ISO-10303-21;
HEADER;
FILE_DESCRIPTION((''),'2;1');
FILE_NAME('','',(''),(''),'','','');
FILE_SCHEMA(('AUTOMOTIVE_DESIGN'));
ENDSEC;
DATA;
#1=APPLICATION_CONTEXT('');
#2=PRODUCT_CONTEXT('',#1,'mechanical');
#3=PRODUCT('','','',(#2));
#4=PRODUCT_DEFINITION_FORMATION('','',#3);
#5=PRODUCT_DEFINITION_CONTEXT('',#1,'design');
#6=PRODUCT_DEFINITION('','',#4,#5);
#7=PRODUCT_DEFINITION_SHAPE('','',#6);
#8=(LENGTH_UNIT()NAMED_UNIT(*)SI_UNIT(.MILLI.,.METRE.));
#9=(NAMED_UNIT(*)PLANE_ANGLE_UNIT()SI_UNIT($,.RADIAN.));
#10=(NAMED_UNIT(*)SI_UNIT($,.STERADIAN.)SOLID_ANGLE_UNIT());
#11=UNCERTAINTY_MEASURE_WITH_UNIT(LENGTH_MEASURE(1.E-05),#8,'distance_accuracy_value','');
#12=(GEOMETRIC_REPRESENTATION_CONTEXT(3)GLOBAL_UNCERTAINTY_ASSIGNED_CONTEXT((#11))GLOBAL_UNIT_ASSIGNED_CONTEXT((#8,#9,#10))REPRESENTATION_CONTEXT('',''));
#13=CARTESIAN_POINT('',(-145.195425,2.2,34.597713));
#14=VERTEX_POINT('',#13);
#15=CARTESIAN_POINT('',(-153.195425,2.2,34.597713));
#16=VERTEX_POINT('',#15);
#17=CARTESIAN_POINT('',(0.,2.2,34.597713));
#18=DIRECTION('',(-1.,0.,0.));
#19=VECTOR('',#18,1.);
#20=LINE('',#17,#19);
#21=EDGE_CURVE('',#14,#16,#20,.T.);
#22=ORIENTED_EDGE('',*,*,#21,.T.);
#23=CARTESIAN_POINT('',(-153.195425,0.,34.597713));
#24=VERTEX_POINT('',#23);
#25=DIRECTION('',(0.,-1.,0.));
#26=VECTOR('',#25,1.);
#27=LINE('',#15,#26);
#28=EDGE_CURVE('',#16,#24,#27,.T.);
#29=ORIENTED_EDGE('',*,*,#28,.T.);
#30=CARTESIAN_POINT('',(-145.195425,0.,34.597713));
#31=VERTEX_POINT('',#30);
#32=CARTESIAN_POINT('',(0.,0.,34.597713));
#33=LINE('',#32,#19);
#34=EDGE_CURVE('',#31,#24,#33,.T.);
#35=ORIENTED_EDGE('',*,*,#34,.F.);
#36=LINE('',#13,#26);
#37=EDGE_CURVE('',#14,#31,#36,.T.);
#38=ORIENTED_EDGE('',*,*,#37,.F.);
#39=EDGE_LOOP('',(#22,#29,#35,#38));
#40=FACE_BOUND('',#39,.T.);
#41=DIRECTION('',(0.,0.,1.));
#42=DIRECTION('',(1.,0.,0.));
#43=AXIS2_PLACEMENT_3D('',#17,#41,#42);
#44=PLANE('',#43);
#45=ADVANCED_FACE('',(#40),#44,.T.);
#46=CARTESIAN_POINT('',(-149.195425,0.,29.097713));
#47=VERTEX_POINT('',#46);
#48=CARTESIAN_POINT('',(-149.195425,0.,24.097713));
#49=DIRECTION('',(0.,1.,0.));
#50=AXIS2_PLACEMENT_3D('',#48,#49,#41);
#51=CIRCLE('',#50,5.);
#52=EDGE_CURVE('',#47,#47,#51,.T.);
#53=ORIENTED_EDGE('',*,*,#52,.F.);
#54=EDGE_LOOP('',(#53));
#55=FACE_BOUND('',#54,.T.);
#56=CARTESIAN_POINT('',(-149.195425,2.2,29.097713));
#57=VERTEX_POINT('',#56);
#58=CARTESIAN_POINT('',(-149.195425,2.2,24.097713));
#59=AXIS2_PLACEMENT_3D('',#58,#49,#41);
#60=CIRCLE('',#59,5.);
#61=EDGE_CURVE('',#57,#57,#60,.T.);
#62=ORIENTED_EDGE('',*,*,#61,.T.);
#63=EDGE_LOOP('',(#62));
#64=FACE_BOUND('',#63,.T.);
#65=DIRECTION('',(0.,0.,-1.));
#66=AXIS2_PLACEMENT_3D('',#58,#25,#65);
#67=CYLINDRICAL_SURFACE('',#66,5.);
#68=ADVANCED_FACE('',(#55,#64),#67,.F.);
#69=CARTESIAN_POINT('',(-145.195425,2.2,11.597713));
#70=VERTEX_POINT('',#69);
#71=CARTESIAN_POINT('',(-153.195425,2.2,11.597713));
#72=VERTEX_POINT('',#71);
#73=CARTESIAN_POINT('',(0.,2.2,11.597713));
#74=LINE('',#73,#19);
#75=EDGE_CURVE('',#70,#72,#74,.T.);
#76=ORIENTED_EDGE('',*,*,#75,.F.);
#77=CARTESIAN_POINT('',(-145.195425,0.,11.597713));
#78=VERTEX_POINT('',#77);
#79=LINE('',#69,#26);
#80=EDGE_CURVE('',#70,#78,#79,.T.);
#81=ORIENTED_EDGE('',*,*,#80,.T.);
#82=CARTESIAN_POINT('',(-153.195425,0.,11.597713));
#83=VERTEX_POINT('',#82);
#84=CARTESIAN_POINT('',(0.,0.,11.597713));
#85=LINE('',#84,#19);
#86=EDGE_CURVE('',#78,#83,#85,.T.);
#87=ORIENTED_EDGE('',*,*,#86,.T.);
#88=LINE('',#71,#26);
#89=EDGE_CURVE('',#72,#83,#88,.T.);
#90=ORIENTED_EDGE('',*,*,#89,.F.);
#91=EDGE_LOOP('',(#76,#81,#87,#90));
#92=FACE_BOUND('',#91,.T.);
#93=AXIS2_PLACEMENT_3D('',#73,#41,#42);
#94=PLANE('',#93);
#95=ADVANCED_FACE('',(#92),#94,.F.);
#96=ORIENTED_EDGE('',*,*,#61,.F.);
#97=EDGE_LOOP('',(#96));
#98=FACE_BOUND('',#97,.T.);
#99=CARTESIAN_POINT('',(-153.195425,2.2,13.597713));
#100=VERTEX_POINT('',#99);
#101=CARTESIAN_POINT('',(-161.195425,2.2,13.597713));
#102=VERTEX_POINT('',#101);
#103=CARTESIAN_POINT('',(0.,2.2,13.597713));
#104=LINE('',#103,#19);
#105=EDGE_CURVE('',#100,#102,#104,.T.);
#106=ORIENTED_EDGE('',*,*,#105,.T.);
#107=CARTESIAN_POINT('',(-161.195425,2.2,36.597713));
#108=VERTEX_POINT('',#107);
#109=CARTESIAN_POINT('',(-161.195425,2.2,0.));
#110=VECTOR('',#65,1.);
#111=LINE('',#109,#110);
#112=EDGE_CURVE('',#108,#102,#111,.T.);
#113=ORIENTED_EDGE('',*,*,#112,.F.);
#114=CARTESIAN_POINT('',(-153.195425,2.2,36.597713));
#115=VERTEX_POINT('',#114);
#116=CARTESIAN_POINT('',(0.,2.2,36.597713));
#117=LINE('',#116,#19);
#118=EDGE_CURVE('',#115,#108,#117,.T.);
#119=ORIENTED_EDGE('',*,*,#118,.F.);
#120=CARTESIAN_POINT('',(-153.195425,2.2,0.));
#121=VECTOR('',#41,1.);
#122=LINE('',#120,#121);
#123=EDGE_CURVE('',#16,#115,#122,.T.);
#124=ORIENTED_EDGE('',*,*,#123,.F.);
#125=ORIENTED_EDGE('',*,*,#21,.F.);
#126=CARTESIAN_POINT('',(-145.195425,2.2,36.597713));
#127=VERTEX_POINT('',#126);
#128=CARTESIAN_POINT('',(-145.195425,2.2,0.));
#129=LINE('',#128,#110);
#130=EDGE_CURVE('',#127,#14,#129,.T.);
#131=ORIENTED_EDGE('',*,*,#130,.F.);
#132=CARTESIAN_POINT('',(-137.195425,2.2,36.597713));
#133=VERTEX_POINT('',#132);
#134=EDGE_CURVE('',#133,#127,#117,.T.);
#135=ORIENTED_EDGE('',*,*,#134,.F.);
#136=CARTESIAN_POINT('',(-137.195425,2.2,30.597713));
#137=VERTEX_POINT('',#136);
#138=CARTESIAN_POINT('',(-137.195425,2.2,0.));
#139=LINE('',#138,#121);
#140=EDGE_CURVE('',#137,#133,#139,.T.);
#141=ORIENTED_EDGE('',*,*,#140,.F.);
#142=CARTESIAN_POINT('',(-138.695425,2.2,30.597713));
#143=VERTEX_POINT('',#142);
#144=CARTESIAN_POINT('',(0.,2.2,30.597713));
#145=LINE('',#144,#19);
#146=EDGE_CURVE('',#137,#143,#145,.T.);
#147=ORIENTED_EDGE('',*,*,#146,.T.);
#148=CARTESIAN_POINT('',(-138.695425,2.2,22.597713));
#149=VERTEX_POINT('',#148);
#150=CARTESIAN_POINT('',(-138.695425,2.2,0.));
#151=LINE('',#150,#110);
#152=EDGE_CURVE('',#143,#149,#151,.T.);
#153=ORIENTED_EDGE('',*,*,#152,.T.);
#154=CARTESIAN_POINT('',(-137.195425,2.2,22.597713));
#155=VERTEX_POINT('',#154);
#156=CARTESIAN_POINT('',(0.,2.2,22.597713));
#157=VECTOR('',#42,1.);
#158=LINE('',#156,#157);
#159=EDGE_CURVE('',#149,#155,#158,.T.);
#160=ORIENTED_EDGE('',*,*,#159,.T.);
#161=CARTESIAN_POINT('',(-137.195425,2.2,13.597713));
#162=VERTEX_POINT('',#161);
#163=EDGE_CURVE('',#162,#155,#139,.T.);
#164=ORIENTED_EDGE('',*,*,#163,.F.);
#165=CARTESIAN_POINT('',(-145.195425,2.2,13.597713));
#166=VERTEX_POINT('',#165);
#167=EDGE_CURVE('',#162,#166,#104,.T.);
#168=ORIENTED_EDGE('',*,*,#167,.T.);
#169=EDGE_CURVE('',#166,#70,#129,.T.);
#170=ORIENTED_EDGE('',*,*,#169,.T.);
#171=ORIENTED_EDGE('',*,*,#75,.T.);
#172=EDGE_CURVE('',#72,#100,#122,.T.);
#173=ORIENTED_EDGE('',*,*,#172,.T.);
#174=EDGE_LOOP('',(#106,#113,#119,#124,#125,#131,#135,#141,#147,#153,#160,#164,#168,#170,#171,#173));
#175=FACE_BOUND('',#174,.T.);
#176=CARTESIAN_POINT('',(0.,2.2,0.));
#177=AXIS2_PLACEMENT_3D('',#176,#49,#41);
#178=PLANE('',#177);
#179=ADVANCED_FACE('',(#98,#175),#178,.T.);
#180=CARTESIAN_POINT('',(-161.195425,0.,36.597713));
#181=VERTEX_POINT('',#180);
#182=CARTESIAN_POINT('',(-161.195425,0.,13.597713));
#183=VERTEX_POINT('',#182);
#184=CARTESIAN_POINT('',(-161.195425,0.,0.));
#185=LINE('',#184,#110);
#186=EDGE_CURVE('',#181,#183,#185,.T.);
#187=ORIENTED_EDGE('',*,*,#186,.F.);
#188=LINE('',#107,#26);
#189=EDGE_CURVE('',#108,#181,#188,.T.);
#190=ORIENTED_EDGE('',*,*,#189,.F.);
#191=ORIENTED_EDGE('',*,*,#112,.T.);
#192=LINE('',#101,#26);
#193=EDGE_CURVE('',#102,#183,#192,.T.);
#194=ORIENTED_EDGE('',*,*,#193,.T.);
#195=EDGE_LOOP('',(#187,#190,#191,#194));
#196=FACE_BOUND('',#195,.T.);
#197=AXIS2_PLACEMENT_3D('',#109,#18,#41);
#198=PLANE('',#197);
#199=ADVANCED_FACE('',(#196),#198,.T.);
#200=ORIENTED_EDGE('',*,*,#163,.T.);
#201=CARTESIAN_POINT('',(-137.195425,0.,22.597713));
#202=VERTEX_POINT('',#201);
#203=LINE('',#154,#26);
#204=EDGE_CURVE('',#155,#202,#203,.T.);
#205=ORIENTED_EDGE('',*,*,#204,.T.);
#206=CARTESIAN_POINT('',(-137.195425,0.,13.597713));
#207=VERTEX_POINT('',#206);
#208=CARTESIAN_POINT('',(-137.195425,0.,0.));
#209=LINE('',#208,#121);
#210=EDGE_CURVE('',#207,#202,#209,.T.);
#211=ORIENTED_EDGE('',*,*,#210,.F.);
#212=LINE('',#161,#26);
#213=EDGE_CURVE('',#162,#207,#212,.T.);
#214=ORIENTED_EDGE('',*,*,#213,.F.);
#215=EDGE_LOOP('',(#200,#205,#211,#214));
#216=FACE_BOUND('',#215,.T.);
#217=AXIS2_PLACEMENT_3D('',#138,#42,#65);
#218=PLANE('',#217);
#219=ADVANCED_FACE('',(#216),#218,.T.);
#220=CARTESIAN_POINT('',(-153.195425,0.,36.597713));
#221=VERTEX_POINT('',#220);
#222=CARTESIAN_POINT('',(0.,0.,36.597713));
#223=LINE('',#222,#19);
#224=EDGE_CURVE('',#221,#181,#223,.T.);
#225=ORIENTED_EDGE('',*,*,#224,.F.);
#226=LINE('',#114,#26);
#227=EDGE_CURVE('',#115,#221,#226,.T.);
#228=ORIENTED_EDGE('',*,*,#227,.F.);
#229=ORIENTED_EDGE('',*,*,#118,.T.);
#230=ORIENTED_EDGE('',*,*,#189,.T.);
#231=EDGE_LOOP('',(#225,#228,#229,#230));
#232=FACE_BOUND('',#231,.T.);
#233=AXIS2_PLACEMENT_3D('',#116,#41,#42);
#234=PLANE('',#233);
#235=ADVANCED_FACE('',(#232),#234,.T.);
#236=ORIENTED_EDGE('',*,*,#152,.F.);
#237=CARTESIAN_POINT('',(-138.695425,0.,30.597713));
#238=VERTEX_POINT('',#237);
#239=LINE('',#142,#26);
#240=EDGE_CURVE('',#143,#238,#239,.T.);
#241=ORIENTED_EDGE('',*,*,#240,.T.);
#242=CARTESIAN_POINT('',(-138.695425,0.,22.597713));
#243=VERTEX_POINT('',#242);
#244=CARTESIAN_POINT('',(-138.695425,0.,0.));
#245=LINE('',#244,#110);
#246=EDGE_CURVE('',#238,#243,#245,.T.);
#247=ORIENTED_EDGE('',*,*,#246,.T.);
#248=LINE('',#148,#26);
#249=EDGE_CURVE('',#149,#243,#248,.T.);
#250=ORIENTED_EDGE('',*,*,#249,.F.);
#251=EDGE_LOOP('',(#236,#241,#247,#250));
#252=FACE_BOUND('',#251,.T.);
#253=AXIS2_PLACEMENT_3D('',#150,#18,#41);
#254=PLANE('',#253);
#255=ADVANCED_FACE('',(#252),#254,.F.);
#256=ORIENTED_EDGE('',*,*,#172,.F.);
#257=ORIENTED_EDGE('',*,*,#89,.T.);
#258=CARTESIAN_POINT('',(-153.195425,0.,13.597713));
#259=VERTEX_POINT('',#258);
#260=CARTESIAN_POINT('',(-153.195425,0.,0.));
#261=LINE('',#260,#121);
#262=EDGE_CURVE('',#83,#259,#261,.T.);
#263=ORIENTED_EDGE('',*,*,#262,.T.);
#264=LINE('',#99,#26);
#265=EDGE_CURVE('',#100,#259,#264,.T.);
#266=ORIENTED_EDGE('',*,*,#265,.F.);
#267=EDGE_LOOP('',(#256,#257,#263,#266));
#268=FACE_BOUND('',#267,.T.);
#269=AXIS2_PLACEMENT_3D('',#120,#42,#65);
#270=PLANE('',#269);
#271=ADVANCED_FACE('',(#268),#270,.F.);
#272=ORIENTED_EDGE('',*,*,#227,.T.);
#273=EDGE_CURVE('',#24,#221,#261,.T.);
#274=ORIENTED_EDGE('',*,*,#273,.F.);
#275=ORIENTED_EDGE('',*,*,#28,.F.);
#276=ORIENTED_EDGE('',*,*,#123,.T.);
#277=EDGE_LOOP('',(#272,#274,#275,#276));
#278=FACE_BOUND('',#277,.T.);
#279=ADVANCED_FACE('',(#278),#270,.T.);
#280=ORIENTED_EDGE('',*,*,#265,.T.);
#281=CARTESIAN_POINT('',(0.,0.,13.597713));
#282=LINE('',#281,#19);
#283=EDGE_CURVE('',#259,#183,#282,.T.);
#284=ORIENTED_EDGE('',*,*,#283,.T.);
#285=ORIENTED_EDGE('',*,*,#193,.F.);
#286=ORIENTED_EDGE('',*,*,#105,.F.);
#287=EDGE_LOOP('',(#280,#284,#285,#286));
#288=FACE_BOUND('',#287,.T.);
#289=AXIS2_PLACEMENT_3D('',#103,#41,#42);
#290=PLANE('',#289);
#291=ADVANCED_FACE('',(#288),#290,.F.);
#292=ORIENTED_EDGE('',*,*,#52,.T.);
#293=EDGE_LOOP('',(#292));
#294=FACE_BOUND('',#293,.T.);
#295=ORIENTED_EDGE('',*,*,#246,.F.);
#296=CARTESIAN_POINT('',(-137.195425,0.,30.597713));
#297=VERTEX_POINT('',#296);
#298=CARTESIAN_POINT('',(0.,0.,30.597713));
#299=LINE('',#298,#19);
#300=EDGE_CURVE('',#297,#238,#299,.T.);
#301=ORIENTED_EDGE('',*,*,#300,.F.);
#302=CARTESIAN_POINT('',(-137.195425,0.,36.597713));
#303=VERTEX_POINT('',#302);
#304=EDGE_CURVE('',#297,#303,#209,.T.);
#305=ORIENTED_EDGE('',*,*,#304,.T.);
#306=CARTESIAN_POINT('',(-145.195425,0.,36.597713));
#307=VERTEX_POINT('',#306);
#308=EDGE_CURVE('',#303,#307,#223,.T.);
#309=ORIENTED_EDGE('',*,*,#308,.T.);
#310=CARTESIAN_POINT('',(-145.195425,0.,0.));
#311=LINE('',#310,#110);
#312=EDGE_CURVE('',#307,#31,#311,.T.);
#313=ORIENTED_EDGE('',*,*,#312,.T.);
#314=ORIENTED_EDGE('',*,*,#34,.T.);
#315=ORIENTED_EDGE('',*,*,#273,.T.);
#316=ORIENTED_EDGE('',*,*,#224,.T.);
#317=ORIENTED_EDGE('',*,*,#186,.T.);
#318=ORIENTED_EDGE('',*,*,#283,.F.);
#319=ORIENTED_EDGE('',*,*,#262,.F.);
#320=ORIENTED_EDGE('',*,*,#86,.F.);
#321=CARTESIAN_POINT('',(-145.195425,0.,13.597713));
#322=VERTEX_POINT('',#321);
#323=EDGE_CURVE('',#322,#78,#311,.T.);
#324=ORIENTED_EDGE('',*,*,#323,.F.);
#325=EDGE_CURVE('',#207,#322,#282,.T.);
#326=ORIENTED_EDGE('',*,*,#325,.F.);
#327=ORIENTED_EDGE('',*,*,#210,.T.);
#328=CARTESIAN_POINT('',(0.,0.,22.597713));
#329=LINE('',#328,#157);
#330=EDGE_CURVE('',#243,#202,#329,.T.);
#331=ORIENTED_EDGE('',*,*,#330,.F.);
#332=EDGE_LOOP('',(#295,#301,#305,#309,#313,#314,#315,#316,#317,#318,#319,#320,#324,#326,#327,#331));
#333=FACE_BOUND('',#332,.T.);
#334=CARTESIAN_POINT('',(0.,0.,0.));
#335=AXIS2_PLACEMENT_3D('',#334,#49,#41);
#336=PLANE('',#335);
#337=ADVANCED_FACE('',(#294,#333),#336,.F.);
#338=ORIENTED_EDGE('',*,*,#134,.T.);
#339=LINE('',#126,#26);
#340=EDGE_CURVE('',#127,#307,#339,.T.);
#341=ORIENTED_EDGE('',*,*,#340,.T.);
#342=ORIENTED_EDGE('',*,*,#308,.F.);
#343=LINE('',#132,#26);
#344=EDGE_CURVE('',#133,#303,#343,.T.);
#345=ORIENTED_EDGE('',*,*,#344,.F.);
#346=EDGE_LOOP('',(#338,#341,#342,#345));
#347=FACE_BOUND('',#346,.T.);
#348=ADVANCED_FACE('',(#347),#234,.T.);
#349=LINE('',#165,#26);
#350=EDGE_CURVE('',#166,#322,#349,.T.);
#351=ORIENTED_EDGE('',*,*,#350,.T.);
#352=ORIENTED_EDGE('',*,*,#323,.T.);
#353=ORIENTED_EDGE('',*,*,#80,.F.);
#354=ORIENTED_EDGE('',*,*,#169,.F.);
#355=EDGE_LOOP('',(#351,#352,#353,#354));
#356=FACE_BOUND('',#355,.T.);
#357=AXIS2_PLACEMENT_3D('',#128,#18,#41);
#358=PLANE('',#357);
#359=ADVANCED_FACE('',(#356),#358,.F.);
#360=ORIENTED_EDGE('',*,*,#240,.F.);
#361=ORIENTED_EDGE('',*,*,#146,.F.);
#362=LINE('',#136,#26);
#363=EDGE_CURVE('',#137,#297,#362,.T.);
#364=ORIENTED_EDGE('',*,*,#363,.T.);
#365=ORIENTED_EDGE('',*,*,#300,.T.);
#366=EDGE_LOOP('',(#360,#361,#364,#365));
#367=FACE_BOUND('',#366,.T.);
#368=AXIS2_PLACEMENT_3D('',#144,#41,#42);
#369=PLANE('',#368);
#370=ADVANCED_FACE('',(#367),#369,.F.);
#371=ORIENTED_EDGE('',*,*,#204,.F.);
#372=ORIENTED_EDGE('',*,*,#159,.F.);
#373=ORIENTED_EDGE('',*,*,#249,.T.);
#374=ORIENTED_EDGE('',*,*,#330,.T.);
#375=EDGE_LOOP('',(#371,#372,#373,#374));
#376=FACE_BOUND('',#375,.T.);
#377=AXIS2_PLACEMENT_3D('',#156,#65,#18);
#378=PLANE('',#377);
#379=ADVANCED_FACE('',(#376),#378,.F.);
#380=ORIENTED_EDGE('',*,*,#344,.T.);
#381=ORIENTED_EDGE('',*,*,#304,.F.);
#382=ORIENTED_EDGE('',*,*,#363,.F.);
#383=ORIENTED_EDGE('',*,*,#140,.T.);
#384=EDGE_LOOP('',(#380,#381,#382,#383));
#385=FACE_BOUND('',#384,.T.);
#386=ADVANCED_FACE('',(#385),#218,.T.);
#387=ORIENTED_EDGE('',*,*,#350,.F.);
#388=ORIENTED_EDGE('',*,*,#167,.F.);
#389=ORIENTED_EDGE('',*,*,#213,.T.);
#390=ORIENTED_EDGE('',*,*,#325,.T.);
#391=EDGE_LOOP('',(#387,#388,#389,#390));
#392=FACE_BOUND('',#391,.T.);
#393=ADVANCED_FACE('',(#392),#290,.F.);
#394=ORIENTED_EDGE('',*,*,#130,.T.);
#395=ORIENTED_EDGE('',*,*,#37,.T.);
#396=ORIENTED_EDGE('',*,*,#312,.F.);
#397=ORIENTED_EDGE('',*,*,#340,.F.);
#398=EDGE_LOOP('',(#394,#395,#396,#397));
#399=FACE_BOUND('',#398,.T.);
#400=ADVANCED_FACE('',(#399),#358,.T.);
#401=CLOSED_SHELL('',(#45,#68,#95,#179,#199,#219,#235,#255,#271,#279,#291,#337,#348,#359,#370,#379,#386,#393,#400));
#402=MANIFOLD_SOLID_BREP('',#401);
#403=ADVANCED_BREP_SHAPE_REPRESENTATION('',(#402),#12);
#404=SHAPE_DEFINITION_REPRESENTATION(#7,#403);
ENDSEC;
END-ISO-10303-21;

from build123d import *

# Parameters (mm, degrees)
SKETCH1_R           = 5
BOSS_EXTRUDE1_DEPTH = 2.2


with BuildPart() as part:
    # Sketch1 → Boss-Extrude1 (new body)
    with BuildSketch(Plane(origin=(0, 0, 0), x_dir=(1, 0, 0), z_dir=(0, 1, 0))):
        Polygon((-145.195425431, -13.597712716), (-145.195425431, -11.597712716), (-153.195425431, -11.597712716), (-153.195425431, -13.597712716), (-161.195425431, -13.597712716), (-161.195425431, -36.597712716), (-153.195425431, -36.597712716), (-153.195425431, -34.597712716), (-145.195425431, -34.597712716), (-145.195425431, -36.597712716), (-137.195425431, -36.597712716), (-137.195425431, -30.597712716), (-138.695425431, -30.597712716), (-138.695425431, -22.597712716), (-137.195425431, -22.597712716), (-137.195425431, -16.597712716), (-137.195425431, -13.597712716), align=None)
        with Locations(Location((-149.195425431, -24.097712716, 0), (0, 0, 270))):
            Circle(SKETCH1_R, mode=Mode.SUBTRACT)
    extrude(amount=BOSS_EXTRUDE1_DEPTH)


solid = part.part
